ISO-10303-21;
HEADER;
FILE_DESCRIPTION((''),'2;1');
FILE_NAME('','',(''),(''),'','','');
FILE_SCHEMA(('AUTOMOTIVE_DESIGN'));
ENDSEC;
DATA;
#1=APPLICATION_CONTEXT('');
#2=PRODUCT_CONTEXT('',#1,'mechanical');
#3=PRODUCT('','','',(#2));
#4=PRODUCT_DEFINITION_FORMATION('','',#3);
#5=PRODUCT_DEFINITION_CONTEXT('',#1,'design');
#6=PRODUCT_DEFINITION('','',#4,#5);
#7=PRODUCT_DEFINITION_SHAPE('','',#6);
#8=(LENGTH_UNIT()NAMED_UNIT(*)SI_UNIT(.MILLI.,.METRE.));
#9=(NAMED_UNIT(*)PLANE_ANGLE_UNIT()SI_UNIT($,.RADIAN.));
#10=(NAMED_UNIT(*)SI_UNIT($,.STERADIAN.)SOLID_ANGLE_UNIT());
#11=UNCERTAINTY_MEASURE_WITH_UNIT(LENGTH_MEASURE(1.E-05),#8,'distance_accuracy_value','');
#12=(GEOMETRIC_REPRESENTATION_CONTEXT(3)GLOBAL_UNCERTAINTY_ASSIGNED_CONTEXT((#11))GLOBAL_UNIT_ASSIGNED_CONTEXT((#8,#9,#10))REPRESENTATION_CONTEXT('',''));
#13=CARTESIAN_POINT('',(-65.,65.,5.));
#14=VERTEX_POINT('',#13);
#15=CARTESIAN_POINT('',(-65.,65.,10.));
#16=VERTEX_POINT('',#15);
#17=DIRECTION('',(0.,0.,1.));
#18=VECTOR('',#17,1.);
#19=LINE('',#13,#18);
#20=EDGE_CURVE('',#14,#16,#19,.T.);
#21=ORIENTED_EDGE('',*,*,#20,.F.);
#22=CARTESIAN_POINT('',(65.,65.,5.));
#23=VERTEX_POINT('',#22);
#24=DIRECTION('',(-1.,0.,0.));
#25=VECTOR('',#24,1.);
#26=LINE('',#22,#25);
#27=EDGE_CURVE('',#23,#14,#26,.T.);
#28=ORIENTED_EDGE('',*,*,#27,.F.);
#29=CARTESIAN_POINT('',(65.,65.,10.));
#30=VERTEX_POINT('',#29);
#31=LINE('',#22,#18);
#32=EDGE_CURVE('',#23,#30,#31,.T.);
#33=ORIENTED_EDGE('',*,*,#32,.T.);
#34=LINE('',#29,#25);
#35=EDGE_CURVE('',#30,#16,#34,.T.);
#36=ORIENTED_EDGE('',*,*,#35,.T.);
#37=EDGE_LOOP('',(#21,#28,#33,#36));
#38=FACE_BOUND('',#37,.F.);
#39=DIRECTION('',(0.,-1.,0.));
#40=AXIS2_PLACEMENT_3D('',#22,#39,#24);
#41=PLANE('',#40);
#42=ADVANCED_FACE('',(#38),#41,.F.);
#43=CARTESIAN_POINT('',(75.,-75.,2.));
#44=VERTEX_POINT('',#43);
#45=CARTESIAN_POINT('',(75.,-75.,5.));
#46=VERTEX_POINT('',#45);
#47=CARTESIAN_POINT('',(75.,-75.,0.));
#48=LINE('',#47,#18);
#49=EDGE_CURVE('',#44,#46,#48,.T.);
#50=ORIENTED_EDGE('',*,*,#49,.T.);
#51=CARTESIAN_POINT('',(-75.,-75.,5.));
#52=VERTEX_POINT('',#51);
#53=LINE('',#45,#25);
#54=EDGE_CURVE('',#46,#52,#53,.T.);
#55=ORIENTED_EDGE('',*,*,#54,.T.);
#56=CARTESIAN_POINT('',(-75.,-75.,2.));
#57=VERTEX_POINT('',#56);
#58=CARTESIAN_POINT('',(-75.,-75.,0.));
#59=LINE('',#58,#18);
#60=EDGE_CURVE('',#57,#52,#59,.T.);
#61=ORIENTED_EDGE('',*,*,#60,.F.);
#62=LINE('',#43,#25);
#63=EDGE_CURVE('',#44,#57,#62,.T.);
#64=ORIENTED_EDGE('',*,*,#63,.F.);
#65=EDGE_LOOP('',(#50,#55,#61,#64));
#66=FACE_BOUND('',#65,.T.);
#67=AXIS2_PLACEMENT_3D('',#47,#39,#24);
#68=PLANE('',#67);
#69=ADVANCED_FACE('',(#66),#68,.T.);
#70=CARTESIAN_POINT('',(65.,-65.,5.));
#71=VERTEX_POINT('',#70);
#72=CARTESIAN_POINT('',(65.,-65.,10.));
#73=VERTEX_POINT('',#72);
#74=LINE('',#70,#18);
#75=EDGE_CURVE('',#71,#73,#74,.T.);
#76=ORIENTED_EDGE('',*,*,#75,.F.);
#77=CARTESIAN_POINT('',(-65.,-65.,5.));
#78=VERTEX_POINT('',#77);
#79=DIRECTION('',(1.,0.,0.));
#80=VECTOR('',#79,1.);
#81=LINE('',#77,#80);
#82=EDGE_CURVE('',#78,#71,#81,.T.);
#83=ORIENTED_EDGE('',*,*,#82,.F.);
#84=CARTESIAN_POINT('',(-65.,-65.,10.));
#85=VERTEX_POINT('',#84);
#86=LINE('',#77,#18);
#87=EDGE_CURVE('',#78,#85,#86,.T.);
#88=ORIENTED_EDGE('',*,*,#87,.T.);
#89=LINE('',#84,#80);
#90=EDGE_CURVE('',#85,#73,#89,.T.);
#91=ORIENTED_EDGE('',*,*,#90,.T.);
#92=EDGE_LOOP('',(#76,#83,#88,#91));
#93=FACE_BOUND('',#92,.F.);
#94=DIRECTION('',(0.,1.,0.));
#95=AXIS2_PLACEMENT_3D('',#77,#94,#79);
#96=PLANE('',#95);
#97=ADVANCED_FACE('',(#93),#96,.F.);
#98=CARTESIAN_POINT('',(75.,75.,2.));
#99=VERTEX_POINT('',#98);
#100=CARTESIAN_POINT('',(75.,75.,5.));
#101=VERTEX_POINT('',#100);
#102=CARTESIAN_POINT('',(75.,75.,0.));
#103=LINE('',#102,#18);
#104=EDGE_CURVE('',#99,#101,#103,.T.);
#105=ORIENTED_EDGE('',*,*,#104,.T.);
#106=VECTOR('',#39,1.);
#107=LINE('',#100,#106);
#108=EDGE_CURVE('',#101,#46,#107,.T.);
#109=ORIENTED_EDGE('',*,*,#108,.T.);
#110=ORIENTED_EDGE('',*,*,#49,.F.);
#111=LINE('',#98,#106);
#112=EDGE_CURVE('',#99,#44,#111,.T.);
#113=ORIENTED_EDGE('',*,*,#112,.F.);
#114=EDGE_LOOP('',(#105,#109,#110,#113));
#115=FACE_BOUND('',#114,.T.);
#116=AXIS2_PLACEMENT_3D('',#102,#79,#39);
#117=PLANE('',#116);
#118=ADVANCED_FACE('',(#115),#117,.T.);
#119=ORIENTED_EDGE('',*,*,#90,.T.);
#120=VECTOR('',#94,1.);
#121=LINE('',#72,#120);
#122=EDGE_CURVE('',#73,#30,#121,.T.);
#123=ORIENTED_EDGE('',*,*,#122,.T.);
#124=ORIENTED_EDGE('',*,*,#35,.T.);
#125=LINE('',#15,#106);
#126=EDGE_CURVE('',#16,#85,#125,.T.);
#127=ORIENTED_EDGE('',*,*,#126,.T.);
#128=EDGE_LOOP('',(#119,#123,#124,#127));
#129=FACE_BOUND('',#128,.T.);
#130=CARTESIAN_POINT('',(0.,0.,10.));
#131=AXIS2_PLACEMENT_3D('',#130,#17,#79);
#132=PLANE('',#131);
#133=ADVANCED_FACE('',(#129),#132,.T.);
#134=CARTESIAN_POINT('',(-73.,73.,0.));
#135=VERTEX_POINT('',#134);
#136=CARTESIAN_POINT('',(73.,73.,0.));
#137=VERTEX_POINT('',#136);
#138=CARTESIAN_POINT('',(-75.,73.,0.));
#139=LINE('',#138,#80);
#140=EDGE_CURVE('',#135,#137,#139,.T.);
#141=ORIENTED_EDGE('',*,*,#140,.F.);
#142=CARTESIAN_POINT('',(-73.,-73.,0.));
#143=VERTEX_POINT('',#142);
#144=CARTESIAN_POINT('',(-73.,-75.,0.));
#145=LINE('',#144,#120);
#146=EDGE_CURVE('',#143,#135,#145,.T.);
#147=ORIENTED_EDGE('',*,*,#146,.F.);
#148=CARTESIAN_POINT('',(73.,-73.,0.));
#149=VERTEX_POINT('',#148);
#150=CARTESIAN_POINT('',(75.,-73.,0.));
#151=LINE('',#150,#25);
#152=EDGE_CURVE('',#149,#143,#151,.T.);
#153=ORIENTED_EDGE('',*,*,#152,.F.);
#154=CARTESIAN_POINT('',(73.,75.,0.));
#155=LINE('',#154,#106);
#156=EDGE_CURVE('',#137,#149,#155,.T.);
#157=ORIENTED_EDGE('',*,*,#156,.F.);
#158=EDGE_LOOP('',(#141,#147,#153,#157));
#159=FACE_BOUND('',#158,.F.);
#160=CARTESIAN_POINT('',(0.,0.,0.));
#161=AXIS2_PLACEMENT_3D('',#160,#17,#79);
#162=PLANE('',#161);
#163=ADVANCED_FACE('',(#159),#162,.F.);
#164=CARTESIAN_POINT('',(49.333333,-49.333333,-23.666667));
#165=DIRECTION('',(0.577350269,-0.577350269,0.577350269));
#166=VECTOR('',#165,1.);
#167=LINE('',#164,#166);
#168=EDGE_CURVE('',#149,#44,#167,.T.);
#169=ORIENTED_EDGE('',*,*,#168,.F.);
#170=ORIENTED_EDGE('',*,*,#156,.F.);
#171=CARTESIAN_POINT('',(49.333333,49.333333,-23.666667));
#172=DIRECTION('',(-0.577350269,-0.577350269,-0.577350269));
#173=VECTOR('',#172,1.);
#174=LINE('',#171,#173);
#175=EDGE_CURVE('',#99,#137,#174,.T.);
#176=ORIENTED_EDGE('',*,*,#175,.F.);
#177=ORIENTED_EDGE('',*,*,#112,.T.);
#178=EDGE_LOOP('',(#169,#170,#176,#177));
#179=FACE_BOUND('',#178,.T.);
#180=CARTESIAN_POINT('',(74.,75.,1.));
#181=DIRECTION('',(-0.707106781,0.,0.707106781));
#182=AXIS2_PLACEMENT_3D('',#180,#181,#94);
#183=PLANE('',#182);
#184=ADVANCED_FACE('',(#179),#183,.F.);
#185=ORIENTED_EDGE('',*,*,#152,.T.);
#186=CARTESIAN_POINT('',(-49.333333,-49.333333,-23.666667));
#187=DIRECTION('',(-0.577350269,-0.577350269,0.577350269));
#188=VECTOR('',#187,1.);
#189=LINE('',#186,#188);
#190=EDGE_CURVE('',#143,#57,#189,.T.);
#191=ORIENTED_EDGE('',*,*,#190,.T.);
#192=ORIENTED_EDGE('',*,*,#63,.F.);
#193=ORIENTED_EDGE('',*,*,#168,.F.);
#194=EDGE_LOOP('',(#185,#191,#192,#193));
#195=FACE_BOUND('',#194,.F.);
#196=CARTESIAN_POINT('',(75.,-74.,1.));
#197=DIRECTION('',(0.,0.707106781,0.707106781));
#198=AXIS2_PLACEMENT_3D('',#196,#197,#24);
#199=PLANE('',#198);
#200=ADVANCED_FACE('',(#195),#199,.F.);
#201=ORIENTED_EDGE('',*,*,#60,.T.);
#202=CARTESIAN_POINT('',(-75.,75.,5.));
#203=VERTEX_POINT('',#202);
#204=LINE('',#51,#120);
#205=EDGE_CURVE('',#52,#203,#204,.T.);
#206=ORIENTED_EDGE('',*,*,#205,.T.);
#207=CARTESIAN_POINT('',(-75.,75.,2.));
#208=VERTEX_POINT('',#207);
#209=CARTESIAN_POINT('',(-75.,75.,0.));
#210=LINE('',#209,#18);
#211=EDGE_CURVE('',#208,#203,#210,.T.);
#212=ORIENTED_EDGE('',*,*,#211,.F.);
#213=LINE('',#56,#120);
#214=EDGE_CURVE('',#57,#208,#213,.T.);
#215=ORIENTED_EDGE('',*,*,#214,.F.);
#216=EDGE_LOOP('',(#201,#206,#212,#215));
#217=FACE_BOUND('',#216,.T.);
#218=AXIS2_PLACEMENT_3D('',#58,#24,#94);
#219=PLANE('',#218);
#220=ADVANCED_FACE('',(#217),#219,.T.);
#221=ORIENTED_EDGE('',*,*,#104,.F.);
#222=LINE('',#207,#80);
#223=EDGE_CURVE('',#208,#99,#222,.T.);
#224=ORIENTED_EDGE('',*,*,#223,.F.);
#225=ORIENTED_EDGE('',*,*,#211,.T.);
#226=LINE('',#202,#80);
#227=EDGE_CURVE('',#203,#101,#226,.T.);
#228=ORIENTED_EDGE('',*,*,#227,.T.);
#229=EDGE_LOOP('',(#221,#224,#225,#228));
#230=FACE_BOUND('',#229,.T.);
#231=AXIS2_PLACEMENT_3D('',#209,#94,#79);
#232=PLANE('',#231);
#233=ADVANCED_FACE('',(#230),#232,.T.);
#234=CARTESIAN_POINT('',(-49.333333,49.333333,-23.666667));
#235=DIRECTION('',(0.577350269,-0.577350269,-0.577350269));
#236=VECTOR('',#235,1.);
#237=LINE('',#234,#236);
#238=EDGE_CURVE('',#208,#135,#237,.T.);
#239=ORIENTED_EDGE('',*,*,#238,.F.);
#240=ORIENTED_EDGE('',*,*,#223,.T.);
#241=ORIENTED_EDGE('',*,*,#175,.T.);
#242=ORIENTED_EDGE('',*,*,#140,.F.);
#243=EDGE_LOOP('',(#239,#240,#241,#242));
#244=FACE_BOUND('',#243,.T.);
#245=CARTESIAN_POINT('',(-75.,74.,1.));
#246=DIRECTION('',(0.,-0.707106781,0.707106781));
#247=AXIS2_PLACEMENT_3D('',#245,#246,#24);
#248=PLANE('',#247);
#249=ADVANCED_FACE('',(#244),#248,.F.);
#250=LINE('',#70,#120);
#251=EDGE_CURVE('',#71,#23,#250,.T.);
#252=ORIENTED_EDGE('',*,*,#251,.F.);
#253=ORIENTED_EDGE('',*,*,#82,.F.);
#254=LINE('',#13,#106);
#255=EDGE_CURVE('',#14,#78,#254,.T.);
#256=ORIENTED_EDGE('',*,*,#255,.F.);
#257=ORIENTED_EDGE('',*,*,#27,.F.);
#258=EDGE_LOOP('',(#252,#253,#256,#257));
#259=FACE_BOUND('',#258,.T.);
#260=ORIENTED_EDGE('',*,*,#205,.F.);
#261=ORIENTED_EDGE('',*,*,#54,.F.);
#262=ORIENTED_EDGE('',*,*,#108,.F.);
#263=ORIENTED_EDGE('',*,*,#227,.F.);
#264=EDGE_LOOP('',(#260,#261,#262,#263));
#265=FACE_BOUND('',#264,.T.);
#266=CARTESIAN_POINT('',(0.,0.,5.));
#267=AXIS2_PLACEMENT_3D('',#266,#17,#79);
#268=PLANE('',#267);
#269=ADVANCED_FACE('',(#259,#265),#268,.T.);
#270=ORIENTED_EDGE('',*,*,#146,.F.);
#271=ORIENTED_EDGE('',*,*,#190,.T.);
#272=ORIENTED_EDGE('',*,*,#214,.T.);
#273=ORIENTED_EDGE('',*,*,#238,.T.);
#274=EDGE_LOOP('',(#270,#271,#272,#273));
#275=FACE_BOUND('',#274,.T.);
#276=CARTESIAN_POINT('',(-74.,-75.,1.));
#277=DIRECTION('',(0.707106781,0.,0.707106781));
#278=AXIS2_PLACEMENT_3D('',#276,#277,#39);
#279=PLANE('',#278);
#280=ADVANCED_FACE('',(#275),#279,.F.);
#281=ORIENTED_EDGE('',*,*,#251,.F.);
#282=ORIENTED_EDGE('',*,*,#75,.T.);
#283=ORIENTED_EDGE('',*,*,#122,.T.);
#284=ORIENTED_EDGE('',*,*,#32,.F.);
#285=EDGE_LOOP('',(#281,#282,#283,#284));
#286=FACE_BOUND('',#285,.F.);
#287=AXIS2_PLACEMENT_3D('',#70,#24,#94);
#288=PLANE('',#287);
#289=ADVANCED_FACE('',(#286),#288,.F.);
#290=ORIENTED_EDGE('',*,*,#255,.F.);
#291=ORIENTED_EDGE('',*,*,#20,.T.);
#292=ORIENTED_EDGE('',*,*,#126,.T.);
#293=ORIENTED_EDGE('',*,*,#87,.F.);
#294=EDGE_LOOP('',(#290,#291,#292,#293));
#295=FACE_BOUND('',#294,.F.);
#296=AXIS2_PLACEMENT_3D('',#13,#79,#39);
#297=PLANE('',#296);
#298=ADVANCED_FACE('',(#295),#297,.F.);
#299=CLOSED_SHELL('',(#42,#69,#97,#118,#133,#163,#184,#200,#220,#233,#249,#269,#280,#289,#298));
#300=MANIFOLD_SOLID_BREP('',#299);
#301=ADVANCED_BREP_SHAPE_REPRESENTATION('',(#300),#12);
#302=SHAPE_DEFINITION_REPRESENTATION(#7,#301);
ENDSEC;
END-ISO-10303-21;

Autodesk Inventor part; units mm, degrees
ref_plane "YZ Plane" through (0, 0, 0) normal (1, 0, 0) x (0, 1, 0)
ref_plane "XZ Plane" through (0, 0, 0) normal (0, 1, 0) x (-1, 0, 0)
ref_plane "XY Plane" through (0, 0, 0) normal (0, 0, 1) x (1, 0, 0)
sketch "Sketch1" plane through (0, 0, 0) normal (0, 0, 1) x (1, 0, 0)
  line L0 (-75, 75) -> (75, 75)
  line L1 (75, 75) -> (75, -75)
  line L2 (75, -75) -> (-75, -75)
  line L3 (-75, -75) -> (-75, 75)
  line L4 (-75, 75) -> (75, -75) construction
  line L5 (75, 75) -> (-75, -75) construction
  point P0 (0, 0)
  dimension "d0" = 150
  dimension "d1" = 150
extrude "Extrusion1" add sketch "Sketch1" along normal blind 5
sketch "Sketch2" plane through (0, 0, 5) normal (0, 0, 1) x (1, 0, 0)
  line L0 (-65, -65) -> (65, -65)
  line L1 (65, -65) -> (65, 65)
  line L2 (65, 65) -> (-65, 65)
  line L3 (-65, 65) -> (-65, -65)
  line L4 (-65, -65) -> (65, 65) construction
  line L5 (65, -65) -> (-65, 65) construction
  point P0 (0, 0)
  dimension "d4" = 130
  dimension "d5" = 130
extrude "Extrusion2" add sketch "Sketch2" along normal blind 5
chamfer "Chamfer1" distance 2 angle 45 4 edges at (0, -75, 0) (-75, 0, 0) (75, 0, 0) (0, 75, 0)
properties part number "deksel"
